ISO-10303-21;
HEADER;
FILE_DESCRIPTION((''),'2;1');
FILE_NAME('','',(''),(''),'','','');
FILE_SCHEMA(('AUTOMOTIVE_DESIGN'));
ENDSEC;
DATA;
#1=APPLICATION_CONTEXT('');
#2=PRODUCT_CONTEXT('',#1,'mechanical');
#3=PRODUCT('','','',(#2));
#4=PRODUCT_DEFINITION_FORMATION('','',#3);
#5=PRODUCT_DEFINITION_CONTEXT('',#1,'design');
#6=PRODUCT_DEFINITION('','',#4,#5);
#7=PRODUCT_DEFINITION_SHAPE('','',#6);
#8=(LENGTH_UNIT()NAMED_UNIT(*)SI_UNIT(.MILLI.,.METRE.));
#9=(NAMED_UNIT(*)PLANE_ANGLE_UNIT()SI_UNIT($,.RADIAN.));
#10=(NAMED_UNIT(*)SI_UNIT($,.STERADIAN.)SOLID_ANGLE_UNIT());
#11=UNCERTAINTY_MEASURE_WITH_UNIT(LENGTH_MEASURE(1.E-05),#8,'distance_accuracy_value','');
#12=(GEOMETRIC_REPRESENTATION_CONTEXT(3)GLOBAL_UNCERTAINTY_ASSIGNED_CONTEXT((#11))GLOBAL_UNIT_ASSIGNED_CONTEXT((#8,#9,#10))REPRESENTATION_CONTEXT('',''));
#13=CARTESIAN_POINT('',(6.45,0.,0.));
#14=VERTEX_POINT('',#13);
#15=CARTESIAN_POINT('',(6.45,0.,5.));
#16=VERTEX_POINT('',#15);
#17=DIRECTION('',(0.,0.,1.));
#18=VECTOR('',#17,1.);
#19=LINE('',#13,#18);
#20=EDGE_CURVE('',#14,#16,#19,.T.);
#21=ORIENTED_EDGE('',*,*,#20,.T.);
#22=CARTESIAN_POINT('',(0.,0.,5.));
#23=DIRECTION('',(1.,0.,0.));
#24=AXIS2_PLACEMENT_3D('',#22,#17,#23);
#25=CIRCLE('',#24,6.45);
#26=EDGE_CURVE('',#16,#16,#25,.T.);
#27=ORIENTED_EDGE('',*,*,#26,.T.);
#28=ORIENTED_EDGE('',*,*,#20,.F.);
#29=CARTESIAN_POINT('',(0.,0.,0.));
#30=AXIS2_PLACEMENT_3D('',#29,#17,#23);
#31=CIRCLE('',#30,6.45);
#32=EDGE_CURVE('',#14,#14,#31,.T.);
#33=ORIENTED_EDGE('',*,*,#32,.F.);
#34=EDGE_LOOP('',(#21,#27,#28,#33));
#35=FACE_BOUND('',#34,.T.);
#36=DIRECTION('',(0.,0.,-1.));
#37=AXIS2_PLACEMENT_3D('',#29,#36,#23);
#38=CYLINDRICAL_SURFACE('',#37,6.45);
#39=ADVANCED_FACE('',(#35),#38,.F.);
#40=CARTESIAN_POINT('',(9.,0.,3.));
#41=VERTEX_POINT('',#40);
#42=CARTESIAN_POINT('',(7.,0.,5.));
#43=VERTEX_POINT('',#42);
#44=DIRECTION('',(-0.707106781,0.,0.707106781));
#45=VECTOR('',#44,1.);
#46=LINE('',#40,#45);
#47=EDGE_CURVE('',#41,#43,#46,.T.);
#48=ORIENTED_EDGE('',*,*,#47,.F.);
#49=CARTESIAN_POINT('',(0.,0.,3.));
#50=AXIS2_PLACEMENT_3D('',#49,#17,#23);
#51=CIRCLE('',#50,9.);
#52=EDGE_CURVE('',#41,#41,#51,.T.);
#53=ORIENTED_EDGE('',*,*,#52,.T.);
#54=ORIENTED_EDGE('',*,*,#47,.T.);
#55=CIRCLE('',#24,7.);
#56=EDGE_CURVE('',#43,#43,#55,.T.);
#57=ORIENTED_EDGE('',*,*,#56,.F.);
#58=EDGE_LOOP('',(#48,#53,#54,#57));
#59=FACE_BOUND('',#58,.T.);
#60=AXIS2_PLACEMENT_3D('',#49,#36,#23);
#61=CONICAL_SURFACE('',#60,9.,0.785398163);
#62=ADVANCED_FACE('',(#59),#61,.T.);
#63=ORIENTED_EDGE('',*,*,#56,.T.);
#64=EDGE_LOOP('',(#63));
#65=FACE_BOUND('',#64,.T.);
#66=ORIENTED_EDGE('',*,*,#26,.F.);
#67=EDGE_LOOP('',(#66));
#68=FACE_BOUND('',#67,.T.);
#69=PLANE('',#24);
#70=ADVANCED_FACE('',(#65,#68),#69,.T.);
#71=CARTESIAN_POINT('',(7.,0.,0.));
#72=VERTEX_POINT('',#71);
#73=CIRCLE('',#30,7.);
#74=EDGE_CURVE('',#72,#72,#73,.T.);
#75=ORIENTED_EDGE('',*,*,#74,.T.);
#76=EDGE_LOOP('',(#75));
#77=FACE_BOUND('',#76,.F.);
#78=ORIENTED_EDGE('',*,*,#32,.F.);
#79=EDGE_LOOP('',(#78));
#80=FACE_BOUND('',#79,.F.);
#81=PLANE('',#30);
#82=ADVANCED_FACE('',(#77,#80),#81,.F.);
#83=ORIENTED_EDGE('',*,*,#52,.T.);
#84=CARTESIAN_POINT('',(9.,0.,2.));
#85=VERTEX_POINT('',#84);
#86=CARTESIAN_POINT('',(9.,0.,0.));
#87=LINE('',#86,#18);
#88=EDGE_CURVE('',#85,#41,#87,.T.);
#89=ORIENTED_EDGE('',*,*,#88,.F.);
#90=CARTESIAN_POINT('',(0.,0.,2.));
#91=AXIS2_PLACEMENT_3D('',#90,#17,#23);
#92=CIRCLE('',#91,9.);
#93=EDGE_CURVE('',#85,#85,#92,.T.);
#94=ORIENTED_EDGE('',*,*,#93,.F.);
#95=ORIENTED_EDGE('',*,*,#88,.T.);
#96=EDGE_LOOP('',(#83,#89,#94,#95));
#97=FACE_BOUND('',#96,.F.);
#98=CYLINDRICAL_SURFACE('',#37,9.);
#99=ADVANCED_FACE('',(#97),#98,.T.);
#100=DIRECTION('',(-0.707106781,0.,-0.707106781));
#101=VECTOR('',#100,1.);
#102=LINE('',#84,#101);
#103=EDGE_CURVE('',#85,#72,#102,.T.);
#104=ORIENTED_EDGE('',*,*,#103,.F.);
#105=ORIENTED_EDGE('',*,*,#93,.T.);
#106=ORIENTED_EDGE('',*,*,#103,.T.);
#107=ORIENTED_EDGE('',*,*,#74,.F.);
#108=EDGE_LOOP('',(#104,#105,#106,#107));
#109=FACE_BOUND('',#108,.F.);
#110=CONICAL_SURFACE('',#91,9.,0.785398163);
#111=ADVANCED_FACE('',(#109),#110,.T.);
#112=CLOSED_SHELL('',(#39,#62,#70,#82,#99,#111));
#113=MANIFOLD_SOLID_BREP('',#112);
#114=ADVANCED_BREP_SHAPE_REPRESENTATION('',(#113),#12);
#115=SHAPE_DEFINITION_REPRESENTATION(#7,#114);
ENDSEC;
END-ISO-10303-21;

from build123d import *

# Parameters (mm, degrees)
CYLINDER001_R     = 6.45
CYLINDER001_DEPTH = 5
CYLINDER002_R     = 9
CYLINDER002_DEPTH = 5
CHAMFER_SIZE      = 2


with BuildPart() as exterior:
    # Cylinder001 → Cylinder001 (new body)
    with BuildSketch(Plane.XY):
        Circle(CYLINDER001_R)
    extrude(amount=CYLINDER001_DEPTH)


with BuildPart() as cut:
    # Cylinder002 → Cylinder002 (new body)
    with BuildSketch(Plane.XY):
        Circle(CYLINDER002_R)
    extrude(amount=CYLINDER002_DEPTH)

    # Chamfer
    chamfer_edges = [cut.edges().sort_by_distance(p)[0] for p in [
        (-9, 0, 5),
        (-9, 0, 0),
    ]]
    chamfer(chamfer_edges, length=CHAMFER_SIZE)

    # Cut: cut exterior
    add(exterior.part, mode=Mode.SUBTRACT)


solid = cut.part
